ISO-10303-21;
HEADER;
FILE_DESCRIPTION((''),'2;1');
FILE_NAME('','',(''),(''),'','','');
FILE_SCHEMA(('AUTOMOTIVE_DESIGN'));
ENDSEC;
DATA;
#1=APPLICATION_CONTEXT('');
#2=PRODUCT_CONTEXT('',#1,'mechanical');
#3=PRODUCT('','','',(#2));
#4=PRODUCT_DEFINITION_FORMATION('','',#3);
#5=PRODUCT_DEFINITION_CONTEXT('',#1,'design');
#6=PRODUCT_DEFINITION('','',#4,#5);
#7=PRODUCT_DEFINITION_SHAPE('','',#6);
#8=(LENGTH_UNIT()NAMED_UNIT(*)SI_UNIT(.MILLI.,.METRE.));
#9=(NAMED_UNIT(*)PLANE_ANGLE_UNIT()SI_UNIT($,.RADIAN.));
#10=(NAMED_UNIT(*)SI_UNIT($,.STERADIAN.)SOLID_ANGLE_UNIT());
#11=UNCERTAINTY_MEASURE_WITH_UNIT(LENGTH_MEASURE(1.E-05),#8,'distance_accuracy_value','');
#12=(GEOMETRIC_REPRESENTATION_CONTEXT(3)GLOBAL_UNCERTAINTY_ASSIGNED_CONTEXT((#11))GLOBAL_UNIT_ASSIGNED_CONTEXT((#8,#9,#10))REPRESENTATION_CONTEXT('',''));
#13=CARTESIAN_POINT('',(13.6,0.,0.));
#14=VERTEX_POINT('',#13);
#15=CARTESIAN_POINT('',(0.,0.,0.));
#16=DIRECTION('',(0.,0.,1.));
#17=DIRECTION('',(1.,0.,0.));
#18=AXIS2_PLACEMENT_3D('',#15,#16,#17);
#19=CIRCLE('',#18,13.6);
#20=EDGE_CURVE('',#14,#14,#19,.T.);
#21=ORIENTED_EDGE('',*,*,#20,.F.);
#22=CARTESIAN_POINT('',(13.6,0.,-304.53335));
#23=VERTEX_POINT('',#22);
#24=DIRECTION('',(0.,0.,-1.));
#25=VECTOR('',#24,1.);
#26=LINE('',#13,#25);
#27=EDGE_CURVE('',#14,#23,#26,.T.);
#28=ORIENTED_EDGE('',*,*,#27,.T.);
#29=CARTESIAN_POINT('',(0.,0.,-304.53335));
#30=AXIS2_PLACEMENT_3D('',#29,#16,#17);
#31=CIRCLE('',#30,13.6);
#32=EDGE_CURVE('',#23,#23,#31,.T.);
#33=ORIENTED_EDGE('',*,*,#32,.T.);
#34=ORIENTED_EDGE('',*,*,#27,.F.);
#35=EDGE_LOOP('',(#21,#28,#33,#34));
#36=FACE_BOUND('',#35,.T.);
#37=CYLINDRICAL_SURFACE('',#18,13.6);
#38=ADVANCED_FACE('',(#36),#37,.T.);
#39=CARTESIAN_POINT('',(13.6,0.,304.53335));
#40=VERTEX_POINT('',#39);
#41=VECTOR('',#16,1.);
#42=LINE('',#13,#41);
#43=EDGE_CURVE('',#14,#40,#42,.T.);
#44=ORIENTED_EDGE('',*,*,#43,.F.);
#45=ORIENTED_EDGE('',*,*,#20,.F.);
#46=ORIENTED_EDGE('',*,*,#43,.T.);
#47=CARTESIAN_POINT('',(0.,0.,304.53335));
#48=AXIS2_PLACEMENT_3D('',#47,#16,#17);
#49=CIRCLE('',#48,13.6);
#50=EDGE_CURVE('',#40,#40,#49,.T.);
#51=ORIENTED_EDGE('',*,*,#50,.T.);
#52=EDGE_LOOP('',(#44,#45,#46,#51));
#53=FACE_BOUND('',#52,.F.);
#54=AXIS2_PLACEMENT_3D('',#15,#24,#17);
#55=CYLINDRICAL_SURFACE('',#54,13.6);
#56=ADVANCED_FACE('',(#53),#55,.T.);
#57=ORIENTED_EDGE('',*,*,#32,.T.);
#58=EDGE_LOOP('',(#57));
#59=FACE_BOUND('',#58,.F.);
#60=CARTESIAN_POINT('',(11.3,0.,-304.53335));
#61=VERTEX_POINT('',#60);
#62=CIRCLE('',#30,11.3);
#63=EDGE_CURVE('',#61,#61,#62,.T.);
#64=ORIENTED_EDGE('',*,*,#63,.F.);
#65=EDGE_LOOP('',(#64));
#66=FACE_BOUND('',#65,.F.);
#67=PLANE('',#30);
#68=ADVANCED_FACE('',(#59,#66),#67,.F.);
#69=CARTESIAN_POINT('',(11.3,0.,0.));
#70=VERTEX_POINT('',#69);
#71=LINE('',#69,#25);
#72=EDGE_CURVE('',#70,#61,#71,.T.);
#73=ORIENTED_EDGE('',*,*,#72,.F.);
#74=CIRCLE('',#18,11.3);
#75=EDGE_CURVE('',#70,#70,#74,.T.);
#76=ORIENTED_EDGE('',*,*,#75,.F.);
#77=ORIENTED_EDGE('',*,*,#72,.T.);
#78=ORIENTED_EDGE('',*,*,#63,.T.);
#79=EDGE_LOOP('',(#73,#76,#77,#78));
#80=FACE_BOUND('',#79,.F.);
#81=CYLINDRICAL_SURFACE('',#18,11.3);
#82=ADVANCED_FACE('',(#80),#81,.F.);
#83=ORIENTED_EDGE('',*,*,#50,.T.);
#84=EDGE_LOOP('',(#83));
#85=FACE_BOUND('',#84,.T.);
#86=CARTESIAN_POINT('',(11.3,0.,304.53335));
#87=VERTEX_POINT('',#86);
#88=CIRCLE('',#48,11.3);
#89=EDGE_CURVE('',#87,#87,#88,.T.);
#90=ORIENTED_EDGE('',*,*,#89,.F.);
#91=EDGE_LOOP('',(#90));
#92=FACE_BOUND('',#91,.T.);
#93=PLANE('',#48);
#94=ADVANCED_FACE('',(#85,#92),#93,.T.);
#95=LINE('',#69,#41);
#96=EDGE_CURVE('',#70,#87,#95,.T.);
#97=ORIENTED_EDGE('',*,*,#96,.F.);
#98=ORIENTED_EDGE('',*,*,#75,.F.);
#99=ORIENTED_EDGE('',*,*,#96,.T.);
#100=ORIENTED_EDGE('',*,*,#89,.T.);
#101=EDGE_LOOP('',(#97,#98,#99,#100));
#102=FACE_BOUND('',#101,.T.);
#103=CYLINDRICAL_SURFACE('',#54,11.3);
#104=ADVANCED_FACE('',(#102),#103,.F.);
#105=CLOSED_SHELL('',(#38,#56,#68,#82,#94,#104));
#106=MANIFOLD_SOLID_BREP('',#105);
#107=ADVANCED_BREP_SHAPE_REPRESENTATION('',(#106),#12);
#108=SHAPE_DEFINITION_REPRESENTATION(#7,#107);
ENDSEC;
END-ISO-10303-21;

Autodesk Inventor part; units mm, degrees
ref_plane "XY Plane" through (0, 0, 0) normal (0, 0, 1) x (1, 0, 0)
sketch "スケッチ1" plane through (0, 0, 0) normal (0, 0, 1) x (1, 0, 0)
  circle A0 centre (0, 0) radius 13.6
  circle A1 centre (0, 0) radius 11.3
  dimension "d0" = 27.2
  dimension "d1" = 2.3
extrude "押し出し1" add sketch "スケッチ1" along normal mid plane 609.0667
ref_plane "作業平面1" through (13.6, 0, 0) normal (1, 0, 0) x (0, 1, 0)
ref_plane "作業平面2" through (-13.6, 0, 0) normal (-1, 0, 0) x (0, -1, 0)
ref_plane "作業平面3" through (0, 13.6, 0) normal (0, 1, 0) x (-1, 0, 0)
ref_plane "作業平面4" through (0, -13.6, 0) normal (0, -1, 0) x (1, 0, 0)
sketch "スケッチ2" plane through (0, 0, 0) normal (1, 0, 0) x (0, 1, 0)
  line L0 (-13.6, -304.5333) -> (13.6, -304.5333) projected
  line L1 (13.6, 304.5333) -> (-13.6, 304.5333) projected
  point P0 (0, 0)
  dimension "d4" = 609.0667
properties part number "Pipe6" material "鋼、炭素鋼"
